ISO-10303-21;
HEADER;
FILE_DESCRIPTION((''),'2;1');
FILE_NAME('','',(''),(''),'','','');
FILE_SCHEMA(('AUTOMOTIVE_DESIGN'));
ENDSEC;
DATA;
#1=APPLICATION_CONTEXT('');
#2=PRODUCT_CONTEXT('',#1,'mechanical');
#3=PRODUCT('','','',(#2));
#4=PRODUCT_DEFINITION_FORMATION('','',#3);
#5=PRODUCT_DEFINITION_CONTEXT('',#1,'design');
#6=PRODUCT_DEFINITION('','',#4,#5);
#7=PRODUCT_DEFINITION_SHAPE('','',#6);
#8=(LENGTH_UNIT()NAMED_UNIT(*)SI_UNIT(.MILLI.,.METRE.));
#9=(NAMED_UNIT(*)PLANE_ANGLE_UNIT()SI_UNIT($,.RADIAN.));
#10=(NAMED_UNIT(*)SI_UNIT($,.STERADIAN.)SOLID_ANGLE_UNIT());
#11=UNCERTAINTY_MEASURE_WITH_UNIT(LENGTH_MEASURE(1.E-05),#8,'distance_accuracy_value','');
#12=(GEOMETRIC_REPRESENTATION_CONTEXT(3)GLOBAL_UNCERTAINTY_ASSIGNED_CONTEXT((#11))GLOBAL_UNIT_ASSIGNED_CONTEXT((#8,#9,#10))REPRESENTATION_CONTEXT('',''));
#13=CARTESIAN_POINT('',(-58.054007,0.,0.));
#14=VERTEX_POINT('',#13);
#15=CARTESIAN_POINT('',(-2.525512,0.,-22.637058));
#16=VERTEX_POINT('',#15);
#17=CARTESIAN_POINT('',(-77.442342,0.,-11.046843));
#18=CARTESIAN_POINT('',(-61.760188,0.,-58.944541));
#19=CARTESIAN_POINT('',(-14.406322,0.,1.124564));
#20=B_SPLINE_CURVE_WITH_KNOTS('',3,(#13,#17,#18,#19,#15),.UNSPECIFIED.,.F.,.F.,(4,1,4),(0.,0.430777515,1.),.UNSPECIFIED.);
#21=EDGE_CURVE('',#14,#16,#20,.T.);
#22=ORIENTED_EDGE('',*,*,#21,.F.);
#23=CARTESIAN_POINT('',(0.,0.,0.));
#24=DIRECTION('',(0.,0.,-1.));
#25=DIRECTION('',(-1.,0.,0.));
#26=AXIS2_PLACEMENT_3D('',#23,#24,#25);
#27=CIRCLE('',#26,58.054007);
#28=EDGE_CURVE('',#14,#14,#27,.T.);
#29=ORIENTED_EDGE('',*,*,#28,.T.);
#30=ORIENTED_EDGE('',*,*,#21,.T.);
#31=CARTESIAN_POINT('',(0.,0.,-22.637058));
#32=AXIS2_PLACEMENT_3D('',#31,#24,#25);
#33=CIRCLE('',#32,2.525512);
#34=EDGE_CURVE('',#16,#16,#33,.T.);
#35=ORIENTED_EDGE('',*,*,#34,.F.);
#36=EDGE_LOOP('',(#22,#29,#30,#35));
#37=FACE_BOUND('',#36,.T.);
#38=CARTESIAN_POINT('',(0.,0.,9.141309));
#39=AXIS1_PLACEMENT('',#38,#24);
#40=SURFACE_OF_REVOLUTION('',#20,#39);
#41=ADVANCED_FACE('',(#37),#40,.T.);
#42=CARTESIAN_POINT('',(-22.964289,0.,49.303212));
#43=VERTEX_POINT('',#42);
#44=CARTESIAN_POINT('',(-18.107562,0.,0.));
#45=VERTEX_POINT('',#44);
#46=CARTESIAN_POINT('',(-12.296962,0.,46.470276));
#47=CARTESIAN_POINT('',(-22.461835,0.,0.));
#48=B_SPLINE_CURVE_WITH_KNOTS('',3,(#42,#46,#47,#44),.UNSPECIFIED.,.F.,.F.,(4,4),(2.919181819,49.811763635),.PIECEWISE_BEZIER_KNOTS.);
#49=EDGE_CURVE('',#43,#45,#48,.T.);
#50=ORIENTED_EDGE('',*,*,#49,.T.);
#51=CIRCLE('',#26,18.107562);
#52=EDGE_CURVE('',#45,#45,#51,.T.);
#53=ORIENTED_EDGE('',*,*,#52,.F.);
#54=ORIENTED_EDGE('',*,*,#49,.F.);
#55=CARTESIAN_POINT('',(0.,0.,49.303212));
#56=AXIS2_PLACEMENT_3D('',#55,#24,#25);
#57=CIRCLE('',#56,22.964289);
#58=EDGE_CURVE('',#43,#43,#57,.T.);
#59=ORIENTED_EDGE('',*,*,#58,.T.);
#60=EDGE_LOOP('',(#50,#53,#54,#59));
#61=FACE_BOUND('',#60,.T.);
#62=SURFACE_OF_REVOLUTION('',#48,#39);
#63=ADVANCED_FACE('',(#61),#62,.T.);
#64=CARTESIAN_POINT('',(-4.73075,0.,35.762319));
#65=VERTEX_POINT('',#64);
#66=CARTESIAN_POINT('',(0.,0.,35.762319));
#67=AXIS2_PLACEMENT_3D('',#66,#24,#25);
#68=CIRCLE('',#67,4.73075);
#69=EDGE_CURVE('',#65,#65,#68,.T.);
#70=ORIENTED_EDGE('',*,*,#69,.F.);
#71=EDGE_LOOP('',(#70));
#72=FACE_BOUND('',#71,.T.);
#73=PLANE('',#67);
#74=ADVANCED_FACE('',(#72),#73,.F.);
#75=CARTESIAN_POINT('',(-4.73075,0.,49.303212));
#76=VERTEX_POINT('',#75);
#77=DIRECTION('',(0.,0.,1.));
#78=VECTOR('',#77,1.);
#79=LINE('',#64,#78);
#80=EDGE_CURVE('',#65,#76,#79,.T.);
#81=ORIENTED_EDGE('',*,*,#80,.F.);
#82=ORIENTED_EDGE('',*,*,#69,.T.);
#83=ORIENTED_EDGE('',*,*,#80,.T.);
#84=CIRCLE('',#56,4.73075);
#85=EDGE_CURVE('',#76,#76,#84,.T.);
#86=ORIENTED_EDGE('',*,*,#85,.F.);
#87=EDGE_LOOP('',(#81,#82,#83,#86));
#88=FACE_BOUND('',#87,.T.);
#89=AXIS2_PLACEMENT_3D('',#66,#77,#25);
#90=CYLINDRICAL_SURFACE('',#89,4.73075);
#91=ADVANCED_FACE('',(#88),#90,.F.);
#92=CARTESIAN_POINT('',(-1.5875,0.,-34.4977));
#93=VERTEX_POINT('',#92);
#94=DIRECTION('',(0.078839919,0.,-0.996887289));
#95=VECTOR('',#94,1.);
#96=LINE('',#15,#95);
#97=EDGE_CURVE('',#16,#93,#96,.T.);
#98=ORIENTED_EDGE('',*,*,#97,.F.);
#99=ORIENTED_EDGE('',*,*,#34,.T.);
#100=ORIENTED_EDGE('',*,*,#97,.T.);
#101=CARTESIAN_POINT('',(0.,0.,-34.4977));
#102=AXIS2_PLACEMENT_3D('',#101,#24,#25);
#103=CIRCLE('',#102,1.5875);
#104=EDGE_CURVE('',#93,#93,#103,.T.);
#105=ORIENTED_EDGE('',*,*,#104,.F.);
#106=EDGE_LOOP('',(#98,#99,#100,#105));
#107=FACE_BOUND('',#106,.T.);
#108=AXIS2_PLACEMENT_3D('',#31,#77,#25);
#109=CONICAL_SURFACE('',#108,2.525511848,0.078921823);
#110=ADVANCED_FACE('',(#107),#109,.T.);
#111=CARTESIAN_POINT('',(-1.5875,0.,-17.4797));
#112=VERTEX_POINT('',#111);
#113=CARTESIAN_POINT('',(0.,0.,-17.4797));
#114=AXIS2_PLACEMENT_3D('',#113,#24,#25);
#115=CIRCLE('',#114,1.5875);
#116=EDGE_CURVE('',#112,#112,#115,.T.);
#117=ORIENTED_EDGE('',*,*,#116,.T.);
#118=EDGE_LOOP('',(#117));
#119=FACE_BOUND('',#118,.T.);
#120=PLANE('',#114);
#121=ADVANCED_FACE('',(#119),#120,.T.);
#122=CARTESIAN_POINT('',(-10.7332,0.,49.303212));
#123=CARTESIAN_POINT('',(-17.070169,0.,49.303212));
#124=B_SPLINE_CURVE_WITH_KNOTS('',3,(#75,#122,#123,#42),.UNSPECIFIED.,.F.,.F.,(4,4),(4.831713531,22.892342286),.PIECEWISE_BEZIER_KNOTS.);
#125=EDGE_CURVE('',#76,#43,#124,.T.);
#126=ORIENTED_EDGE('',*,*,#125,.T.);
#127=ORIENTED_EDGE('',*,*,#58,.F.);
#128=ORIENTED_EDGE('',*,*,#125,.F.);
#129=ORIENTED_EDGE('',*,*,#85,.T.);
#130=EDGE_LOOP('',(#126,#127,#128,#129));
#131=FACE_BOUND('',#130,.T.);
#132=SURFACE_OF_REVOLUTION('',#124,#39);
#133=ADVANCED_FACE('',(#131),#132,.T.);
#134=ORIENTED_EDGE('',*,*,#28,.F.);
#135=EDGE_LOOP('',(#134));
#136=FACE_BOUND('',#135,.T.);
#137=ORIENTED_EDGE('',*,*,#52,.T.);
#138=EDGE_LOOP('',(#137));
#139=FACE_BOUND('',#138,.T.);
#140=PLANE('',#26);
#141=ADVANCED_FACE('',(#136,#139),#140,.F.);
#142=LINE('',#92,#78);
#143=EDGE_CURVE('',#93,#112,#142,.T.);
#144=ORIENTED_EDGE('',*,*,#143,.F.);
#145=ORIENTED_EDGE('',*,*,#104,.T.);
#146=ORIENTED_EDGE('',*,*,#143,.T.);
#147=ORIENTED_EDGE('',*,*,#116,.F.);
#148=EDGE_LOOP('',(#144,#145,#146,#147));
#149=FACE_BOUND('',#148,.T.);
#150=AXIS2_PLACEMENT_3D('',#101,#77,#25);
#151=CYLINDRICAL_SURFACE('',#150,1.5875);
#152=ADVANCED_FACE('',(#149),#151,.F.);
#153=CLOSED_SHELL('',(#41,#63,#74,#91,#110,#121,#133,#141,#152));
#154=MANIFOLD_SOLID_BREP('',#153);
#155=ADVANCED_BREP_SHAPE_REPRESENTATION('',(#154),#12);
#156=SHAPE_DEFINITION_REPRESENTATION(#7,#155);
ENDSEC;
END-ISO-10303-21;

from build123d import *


with BuildPart() as f1:
    # F0 (on Front) → F1 (revolve)
    with BuildSketch(Plane.XZ):
        with BuildLine():
            add(Edge.make_bspline(
                [(-22.9642885055, 49.3032115787), (-12.2969623123, 46.4702763814), (-22.4618348296, 0), (-18.1075624479, 0)],
                knots=[2.9191818186, 2.9191818186, 2.9191818186, 2.9191818186, 49.811763635, 49.811763635, 49.811763635, 49.811763635], degree=3))
            Line((-18.1075624479, 0), (-58.0540070499, 0))
            add(Edge.make_bspline(
                [(-58.0540070499, 0), (-77.442342212, -11.0468430516), (-61.7601881483, -58.9445413015), (-14.4063218335, 1.1245636718), (-2.5255118479, -22.637057851)],
                knots=[0, 0, 0, 0, 0.4307775151, 1, 1, 1, 1], degree=3))
            Line((-2.5255118479, -22.637057851), (-1.5875, -34.4977003213))
            Line((-1.5875, -34.4977003213), (-1.5875, -17.4797003213))
            Line((-1.5875, -17.4797003213), (0, -17.4797003213))
            Line((0, -17.4797003213), (0, 35.7623191787))
            Line((0, 35.7623191787), (-4.73075, 35.7623191787))
            Line((-4.73075, 35.7623191787), (-4.73075, 49.3032115787))
            add(Edge.make_bspline(
                [(-4.73075, 49.3032115787), (-10.7331998616, 49.3032115787), (-17.0701686457, 49.3032115787), (-22.9642885055, 49.3032115787)],
                knots=[4.8317135305, 4.8317135305, 4.8317135305, 4.8317135305, 22.8923422862, 22.8923422862, 22.8923422862, 22.8923422862], degree=3))
        make_face()
    revolve(axis=Axis((0, 0, 9.1413094287), (0, 0, -1)))


solid = f1.part
